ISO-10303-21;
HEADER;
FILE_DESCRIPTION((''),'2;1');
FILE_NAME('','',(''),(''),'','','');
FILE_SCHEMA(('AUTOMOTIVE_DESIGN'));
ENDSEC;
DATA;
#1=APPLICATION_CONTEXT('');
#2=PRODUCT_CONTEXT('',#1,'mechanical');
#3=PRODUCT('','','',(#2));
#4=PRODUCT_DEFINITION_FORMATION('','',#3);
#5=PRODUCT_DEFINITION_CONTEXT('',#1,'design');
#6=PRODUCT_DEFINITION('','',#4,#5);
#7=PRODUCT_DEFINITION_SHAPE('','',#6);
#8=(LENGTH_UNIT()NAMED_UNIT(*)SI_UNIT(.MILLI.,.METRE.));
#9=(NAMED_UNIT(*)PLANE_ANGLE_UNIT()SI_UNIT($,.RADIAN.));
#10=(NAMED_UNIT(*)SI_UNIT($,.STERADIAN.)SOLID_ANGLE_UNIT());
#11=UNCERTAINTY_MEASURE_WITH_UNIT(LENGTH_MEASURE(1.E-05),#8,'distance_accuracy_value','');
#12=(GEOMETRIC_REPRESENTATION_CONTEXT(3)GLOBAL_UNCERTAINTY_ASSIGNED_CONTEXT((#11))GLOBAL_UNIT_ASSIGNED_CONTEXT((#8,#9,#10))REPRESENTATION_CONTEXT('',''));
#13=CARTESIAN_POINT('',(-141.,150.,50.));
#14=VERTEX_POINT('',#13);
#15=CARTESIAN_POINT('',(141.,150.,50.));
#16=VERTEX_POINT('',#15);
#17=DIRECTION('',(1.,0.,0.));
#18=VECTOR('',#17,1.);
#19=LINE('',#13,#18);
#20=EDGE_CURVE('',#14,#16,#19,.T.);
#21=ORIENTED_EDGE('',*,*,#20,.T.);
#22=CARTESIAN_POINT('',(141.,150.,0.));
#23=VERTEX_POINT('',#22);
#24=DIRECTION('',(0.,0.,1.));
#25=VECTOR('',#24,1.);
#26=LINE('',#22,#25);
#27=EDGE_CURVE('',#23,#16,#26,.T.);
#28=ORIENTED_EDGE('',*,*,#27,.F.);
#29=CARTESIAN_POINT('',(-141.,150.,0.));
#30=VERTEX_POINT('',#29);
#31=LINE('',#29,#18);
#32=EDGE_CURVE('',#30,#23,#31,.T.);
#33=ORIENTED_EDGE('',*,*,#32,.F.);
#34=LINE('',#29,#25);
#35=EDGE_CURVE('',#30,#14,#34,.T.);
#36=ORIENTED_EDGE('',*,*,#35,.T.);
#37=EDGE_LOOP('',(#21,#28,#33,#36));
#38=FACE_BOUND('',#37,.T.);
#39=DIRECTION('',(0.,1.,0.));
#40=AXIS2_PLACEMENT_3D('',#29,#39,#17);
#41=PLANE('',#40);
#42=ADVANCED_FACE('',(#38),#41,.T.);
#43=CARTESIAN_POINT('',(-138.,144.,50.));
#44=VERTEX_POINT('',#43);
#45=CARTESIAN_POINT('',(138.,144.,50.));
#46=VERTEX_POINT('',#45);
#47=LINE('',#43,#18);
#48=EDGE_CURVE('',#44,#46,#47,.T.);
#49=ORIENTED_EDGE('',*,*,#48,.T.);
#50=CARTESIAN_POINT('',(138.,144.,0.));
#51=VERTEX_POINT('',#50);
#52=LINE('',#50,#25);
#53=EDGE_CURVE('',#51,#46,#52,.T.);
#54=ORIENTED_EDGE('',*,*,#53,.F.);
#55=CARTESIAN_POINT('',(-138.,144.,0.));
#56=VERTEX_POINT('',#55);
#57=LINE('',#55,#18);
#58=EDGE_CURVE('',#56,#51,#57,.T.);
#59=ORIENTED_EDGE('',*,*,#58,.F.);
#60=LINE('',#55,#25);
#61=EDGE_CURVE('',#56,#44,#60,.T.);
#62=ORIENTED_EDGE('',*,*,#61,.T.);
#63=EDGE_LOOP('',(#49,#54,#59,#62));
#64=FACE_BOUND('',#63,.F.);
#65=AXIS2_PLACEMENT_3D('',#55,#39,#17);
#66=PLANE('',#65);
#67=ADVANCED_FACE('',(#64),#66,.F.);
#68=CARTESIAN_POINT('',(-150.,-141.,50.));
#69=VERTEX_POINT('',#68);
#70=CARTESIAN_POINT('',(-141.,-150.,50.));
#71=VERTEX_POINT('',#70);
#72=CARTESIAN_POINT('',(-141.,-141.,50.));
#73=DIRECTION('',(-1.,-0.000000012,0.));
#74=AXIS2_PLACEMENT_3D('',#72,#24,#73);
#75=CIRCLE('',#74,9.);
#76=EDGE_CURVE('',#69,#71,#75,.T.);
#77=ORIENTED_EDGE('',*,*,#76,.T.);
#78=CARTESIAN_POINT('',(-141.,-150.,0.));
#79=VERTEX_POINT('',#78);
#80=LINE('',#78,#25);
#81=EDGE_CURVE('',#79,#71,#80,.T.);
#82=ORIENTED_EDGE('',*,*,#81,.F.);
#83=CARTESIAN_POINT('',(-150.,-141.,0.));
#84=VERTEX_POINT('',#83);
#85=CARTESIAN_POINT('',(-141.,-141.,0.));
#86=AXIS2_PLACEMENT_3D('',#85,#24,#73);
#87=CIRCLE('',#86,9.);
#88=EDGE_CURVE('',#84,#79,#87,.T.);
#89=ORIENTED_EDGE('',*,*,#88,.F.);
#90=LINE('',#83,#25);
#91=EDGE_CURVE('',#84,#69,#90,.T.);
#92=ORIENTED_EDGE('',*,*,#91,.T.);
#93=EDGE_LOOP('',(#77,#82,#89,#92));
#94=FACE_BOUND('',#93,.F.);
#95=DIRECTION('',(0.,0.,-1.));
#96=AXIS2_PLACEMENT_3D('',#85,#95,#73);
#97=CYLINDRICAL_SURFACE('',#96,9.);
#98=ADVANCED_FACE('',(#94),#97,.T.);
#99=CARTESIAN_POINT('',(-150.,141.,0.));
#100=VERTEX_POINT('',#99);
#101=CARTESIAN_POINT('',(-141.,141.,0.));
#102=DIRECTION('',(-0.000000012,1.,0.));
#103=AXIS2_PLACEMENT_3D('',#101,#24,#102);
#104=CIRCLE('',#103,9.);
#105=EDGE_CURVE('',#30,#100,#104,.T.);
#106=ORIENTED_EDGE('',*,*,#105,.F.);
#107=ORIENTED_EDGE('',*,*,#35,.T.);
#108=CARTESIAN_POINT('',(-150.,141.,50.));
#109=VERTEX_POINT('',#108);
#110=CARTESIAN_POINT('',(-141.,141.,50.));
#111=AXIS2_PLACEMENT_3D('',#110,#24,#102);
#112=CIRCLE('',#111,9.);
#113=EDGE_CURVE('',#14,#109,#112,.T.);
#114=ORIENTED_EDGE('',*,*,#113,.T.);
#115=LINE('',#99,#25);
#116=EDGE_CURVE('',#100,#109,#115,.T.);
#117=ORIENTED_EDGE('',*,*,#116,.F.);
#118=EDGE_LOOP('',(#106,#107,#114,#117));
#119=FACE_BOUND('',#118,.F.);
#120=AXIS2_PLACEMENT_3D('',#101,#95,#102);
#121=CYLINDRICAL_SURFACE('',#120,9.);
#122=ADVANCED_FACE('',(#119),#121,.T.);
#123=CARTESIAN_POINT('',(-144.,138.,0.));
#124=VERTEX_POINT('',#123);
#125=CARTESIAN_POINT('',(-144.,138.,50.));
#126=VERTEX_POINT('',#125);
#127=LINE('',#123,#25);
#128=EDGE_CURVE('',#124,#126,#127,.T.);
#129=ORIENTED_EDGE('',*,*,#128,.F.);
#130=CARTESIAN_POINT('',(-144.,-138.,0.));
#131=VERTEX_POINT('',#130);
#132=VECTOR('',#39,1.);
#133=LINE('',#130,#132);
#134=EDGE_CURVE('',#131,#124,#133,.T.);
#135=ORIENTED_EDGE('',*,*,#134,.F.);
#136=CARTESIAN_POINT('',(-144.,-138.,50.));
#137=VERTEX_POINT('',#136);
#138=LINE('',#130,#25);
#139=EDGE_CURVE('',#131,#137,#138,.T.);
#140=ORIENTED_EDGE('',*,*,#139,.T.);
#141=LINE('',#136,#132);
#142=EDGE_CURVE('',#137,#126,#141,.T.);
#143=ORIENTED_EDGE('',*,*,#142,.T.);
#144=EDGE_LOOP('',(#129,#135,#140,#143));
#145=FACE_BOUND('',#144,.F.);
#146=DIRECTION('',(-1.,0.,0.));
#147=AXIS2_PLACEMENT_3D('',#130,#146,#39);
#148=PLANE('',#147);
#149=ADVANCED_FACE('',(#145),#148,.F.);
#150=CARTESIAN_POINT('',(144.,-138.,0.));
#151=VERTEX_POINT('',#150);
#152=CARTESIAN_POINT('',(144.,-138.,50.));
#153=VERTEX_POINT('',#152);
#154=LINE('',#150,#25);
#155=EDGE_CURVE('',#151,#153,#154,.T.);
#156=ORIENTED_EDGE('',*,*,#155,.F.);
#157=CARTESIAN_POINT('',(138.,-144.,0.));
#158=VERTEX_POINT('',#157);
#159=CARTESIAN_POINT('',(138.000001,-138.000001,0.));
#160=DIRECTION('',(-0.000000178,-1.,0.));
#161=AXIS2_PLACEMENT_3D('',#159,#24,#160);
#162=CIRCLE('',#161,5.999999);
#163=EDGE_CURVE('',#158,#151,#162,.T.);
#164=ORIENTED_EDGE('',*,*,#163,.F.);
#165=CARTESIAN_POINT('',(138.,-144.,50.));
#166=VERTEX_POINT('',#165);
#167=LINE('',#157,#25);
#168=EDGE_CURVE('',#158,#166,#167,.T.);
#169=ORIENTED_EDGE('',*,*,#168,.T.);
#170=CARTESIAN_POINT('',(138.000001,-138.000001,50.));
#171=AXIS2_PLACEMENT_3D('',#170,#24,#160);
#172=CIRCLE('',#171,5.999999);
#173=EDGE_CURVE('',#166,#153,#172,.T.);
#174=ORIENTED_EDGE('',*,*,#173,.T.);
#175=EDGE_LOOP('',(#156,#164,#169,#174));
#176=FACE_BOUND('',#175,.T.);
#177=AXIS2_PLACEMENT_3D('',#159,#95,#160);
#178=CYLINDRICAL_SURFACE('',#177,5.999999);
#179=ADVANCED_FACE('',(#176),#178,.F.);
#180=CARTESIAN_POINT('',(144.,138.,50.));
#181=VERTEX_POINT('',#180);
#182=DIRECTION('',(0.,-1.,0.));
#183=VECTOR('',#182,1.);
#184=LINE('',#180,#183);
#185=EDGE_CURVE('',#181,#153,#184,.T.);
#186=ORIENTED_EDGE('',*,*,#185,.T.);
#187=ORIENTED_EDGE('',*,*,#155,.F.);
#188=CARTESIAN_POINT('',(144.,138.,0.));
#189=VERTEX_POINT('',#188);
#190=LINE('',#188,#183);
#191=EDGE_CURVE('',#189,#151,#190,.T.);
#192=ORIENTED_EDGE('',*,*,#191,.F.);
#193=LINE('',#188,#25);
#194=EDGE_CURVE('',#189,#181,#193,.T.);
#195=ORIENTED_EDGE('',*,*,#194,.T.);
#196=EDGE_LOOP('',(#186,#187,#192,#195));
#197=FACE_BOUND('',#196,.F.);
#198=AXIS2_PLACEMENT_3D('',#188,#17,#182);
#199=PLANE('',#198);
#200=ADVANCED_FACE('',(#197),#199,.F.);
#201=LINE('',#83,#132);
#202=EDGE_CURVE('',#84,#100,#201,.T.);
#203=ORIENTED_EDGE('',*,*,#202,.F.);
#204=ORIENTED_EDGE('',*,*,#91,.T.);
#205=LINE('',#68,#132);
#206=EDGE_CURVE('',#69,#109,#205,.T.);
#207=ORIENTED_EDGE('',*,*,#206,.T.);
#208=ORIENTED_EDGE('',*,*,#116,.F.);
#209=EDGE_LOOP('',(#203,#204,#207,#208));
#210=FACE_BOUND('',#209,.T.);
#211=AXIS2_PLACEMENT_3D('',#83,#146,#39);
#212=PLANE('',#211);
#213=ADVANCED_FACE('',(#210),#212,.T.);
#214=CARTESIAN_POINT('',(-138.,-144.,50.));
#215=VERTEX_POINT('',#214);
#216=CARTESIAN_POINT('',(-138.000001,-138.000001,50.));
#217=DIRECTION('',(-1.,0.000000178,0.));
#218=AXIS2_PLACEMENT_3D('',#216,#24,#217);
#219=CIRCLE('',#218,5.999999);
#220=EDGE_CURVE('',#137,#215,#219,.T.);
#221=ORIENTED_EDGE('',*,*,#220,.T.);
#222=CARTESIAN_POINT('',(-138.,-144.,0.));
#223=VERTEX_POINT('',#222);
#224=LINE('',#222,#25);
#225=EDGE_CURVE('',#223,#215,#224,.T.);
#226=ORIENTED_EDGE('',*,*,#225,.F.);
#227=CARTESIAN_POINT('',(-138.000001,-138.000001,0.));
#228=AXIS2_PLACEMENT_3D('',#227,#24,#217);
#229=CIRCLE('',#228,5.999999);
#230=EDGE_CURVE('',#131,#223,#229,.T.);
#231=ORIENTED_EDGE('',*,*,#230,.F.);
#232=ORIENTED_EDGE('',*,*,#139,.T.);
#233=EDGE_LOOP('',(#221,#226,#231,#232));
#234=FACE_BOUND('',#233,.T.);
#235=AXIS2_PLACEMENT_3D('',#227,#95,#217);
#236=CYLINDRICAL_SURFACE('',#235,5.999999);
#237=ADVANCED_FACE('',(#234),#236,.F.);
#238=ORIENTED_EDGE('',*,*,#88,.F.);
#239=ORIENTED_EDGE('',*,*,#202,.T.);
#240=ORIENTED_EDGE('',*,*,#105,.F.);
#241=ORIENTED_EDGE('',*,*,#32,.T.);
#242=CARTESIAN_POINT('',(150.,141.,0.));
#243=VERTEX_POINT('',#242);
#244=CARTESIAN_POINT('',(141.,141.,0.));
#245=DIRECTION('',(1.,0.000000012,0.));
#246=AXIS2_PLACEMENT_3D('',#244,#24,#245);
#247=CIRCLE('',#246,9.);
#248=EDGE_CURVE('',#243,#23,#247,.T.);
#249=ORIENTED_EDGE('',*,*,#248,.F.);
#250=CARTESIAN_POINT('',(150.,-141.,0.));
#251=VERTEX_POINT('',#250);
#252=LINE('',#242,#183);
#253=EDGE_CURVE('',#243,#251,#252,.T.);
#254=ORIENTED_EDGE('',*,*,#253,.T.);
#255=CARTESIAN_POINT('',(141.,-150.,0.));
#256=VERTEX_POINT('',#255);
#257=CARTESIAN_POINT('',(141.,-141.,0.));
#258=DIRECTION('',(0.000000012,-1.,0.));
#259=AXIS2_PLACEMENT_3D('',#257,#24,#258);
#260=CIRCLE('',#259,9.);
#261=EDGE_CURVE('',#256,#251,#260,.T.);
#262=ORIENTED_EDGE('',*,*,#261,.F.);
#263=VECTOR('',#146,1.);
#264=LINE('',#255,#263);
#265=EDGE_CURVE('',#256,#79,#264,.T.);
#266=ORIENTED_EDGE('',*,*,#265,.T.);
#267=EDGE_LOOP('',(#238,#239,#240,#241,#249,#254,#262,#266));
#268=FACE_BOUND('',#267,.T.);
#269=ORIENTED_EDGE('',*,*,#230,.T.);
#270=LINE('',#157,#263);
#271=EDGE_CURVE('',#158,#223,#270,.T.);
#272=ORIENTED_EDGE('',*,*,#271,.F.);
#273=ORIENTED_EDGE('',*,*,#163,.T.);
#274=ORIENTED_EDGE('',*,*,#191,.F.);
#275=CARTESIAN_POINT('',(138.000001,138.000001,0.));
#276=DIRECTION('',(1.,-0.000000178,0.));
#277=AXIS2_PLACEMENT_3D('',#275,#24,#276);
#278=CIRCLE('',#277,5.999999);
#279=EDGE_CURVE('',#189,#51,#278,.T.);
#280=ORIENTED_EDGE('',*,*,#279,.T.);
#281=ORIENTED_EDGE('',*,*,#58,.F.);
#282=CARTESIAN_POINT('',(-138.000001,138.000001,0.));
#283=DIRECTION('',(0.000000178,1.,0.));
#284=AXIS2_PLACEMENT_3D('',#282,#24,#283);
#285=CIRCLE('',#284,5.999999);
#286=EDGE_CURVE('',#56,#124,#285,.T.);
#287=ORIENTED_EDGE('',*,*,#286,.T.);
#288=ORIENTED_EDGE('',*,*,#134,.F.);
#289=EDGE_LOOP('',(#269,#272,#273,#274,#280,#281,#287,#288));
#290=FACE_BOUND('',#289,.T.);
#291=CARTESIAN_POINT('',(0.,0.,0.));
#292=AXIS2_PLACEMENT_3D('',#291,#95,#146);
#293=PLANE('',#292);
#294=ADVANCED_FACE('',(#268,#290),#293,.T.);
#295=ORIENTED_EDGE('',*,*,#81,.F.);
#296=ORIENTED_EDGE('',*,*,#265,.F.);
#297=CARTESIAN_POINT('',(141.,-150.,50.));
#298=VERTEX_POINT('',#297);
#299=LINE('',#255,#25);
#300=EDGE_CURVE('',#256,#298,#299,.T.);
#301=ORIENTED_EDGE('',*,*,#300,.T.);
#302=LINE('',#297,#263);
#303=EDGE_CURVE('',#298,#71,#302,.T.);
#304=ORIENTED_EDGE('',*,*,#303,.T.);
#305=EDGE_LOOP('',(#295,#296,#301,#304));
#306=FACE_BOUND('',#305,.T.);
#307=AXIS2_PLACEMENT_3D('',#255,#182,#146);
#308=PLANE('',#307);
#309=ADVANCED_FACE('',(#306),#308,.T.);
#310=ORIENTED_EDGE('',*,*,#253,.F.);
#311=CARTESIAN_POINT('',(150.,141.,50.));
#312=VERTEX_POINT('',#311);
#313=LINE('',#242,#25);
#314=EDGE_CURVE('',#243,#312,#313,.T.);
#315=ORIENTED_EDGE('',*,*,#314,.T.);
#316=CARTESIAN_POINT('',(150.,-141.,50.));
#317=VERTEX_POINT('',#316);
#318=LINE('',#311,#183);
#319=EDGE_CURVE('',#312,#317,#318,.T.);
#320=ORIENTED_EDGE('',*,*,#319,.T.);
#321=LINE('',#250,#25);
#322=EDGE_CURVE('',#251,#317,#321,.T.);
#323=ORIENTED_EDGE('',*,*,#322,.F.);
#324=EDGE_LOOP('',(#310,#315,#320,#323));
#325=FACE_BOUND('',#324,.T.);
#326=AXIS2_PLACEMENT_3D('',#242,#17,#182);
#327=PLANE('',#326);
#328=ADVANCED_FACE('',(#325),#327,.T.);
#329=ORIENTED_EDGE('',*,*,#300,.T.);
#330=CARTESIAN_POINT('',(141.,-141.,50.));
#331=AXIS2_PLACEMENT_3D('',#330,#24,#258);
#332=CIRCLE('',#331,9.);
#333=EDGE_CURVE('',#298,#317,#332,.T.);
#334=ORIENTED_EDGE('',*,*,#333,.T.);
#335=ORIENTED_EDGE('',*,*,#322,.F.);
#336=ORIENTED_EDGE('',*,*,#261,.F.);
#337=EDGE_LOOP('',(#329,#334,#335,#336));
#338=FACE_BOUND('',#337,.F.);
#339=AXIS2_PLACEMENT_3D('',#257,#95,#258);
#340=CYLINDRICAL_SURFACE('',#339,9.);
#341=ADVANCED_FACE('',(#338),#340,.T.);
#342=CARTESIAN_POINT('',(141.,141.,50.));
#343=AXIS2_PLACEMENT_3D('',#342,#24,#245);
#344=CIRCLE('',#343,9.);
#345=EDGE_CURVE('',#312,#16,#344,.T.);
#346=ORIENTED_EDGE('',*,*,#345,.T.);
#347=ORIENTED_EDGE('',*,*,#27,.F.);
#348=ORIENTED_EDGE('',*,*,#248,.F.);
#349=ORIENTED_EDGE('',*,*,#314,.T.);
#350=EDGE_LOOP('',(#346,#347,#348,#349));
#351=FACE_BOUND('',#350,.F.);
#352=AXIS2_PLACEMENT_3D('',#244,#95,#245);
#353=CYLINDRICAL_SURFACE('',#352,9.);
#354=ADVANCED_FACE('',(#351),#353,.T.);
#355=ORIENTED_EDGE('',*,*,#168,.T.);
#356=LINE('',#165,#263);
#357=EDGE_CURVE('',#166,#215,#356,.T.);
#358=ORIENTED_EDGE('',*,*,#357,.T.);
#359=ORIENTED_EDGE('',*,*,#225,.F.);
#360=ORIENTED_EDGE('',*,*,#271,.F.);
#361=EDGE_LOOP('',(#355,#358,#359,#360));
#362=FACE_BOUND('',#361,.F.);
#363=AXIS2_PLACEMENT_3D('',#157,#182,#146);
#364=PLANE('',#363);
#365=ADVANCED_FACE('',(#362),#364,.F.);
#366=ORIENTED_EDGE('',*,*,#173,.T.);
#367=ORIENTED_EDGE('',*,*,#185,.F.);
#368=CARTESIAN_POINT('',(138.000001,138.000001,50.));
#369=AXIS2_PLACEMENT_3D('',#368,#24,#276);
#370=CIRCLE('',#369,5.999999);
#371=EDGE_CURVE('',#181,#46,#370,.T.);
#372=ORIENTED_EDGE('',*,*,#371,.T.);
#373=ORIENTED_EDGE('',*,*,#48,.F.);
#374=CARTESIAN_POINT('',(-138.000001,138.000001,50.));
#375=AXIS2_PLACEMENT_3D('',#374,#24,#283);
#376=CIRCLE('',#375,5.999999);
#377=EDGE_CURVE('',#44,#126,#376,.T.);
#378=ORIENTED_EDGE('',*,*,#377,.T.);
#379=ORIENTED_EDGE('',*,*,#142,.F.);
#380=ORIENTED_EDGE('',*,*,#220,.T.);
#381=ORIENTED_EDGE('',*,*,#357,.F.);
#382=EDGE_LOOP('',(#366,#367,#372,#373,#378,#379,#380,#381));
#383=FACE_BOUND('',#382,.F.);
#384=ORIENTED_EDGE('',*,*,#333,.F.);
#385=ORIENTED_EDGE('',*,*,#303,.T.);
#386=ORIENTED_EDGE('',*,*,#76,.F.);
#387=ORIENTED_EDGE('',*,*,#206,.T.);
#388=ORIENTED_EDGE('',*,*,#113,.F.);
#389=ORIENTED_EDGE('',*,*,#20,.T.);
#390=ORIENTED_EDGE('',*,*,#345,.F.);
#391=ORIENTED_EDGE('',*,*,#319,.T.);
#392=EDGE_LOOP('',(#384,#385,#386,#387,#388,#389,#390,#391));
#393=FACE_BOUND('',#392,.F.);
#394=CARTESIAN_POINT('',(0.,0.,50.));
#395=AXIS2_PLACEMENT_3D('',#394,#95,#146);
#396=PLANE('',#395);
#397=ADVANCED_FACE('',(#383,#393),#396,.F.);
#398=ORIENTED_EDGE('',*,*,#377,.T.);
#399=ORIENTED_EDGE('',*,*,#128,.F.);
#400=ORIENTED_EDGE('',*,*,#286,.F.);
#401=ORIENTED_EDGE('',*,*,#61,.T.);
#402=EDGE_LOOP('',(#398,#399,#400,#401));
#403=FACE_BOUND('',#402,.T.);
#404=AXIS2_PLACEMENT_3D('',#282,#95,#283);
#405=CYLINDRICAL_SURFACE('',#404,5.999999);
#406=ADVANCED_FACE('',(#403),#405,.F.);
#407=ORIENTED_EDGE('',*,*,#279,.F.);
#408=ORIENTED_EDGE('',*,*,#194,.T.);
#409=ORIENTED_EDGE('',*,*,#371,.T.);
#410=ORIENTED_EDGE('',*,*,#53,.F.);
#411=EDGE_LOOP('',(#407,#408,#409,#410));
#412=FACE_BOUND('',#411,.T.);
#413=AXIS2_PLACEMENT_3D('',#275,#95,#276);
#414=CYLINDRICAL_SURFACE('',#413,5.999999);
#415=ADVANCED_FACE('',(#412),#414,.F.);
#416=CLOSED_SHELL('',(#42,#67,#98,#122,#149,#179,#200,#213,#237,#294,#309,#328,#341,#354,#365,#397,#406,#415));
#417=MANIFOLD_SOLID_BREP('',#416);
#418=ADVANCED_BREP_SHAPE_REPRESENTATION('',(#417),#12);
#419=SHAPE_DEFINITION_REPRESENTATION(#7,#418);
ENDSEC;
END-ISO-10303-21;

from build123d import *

# Parameters (mm, degrees)
EXTRUDE_DEPTH = 50


with BuildPart() as part:
    # Sketch → Extrude (new body)
    with BuildSketch(Plane.XY):
        with BuildLine():
            Line((-141, 150), (141, 150))
            ThreePointArc((150, 141), (147.363961, 147.363961), (141, 150))
            Line((150, 141), (150, -141))
            ThreePointArc((141, -150), (147.363961, -147.363961), (150, -141))
            Line((141, -150), (-141, -150))
            ThreePointArc((-150, -141), (-147.363961, -147.363961), (-141, -150))
            Line((-150, -141), (-150, 141))
            ThreePointArc((-141, 150), (-147.363961, 147.363961), (-150, 141))
        make_face()
        with BuildLine():
            Line((-138, 144), (138, 144))
            ThreePointArc((144, 138), (142.242641, 142.242641), (138, 144))
            Line((144, 138), (144, -138))
            ThreePointArc((138, -144), (142.242641, -142.242641), (144, -138))
            Line((138, -144), (-138, -144))
            ThreePointArc((-144, -138), (-142.242641, -142.242641), (-138, -144))
            Line((-144, -138), (-144, 138))
            ThreePointArc((-138, 144), (-142.242641, 142.242641), (-144, 138))
        make_face(mode=Mode.SUBTRACT)
    extrude(amount=EXTRUDE_DEPTH)


solid = part.part
